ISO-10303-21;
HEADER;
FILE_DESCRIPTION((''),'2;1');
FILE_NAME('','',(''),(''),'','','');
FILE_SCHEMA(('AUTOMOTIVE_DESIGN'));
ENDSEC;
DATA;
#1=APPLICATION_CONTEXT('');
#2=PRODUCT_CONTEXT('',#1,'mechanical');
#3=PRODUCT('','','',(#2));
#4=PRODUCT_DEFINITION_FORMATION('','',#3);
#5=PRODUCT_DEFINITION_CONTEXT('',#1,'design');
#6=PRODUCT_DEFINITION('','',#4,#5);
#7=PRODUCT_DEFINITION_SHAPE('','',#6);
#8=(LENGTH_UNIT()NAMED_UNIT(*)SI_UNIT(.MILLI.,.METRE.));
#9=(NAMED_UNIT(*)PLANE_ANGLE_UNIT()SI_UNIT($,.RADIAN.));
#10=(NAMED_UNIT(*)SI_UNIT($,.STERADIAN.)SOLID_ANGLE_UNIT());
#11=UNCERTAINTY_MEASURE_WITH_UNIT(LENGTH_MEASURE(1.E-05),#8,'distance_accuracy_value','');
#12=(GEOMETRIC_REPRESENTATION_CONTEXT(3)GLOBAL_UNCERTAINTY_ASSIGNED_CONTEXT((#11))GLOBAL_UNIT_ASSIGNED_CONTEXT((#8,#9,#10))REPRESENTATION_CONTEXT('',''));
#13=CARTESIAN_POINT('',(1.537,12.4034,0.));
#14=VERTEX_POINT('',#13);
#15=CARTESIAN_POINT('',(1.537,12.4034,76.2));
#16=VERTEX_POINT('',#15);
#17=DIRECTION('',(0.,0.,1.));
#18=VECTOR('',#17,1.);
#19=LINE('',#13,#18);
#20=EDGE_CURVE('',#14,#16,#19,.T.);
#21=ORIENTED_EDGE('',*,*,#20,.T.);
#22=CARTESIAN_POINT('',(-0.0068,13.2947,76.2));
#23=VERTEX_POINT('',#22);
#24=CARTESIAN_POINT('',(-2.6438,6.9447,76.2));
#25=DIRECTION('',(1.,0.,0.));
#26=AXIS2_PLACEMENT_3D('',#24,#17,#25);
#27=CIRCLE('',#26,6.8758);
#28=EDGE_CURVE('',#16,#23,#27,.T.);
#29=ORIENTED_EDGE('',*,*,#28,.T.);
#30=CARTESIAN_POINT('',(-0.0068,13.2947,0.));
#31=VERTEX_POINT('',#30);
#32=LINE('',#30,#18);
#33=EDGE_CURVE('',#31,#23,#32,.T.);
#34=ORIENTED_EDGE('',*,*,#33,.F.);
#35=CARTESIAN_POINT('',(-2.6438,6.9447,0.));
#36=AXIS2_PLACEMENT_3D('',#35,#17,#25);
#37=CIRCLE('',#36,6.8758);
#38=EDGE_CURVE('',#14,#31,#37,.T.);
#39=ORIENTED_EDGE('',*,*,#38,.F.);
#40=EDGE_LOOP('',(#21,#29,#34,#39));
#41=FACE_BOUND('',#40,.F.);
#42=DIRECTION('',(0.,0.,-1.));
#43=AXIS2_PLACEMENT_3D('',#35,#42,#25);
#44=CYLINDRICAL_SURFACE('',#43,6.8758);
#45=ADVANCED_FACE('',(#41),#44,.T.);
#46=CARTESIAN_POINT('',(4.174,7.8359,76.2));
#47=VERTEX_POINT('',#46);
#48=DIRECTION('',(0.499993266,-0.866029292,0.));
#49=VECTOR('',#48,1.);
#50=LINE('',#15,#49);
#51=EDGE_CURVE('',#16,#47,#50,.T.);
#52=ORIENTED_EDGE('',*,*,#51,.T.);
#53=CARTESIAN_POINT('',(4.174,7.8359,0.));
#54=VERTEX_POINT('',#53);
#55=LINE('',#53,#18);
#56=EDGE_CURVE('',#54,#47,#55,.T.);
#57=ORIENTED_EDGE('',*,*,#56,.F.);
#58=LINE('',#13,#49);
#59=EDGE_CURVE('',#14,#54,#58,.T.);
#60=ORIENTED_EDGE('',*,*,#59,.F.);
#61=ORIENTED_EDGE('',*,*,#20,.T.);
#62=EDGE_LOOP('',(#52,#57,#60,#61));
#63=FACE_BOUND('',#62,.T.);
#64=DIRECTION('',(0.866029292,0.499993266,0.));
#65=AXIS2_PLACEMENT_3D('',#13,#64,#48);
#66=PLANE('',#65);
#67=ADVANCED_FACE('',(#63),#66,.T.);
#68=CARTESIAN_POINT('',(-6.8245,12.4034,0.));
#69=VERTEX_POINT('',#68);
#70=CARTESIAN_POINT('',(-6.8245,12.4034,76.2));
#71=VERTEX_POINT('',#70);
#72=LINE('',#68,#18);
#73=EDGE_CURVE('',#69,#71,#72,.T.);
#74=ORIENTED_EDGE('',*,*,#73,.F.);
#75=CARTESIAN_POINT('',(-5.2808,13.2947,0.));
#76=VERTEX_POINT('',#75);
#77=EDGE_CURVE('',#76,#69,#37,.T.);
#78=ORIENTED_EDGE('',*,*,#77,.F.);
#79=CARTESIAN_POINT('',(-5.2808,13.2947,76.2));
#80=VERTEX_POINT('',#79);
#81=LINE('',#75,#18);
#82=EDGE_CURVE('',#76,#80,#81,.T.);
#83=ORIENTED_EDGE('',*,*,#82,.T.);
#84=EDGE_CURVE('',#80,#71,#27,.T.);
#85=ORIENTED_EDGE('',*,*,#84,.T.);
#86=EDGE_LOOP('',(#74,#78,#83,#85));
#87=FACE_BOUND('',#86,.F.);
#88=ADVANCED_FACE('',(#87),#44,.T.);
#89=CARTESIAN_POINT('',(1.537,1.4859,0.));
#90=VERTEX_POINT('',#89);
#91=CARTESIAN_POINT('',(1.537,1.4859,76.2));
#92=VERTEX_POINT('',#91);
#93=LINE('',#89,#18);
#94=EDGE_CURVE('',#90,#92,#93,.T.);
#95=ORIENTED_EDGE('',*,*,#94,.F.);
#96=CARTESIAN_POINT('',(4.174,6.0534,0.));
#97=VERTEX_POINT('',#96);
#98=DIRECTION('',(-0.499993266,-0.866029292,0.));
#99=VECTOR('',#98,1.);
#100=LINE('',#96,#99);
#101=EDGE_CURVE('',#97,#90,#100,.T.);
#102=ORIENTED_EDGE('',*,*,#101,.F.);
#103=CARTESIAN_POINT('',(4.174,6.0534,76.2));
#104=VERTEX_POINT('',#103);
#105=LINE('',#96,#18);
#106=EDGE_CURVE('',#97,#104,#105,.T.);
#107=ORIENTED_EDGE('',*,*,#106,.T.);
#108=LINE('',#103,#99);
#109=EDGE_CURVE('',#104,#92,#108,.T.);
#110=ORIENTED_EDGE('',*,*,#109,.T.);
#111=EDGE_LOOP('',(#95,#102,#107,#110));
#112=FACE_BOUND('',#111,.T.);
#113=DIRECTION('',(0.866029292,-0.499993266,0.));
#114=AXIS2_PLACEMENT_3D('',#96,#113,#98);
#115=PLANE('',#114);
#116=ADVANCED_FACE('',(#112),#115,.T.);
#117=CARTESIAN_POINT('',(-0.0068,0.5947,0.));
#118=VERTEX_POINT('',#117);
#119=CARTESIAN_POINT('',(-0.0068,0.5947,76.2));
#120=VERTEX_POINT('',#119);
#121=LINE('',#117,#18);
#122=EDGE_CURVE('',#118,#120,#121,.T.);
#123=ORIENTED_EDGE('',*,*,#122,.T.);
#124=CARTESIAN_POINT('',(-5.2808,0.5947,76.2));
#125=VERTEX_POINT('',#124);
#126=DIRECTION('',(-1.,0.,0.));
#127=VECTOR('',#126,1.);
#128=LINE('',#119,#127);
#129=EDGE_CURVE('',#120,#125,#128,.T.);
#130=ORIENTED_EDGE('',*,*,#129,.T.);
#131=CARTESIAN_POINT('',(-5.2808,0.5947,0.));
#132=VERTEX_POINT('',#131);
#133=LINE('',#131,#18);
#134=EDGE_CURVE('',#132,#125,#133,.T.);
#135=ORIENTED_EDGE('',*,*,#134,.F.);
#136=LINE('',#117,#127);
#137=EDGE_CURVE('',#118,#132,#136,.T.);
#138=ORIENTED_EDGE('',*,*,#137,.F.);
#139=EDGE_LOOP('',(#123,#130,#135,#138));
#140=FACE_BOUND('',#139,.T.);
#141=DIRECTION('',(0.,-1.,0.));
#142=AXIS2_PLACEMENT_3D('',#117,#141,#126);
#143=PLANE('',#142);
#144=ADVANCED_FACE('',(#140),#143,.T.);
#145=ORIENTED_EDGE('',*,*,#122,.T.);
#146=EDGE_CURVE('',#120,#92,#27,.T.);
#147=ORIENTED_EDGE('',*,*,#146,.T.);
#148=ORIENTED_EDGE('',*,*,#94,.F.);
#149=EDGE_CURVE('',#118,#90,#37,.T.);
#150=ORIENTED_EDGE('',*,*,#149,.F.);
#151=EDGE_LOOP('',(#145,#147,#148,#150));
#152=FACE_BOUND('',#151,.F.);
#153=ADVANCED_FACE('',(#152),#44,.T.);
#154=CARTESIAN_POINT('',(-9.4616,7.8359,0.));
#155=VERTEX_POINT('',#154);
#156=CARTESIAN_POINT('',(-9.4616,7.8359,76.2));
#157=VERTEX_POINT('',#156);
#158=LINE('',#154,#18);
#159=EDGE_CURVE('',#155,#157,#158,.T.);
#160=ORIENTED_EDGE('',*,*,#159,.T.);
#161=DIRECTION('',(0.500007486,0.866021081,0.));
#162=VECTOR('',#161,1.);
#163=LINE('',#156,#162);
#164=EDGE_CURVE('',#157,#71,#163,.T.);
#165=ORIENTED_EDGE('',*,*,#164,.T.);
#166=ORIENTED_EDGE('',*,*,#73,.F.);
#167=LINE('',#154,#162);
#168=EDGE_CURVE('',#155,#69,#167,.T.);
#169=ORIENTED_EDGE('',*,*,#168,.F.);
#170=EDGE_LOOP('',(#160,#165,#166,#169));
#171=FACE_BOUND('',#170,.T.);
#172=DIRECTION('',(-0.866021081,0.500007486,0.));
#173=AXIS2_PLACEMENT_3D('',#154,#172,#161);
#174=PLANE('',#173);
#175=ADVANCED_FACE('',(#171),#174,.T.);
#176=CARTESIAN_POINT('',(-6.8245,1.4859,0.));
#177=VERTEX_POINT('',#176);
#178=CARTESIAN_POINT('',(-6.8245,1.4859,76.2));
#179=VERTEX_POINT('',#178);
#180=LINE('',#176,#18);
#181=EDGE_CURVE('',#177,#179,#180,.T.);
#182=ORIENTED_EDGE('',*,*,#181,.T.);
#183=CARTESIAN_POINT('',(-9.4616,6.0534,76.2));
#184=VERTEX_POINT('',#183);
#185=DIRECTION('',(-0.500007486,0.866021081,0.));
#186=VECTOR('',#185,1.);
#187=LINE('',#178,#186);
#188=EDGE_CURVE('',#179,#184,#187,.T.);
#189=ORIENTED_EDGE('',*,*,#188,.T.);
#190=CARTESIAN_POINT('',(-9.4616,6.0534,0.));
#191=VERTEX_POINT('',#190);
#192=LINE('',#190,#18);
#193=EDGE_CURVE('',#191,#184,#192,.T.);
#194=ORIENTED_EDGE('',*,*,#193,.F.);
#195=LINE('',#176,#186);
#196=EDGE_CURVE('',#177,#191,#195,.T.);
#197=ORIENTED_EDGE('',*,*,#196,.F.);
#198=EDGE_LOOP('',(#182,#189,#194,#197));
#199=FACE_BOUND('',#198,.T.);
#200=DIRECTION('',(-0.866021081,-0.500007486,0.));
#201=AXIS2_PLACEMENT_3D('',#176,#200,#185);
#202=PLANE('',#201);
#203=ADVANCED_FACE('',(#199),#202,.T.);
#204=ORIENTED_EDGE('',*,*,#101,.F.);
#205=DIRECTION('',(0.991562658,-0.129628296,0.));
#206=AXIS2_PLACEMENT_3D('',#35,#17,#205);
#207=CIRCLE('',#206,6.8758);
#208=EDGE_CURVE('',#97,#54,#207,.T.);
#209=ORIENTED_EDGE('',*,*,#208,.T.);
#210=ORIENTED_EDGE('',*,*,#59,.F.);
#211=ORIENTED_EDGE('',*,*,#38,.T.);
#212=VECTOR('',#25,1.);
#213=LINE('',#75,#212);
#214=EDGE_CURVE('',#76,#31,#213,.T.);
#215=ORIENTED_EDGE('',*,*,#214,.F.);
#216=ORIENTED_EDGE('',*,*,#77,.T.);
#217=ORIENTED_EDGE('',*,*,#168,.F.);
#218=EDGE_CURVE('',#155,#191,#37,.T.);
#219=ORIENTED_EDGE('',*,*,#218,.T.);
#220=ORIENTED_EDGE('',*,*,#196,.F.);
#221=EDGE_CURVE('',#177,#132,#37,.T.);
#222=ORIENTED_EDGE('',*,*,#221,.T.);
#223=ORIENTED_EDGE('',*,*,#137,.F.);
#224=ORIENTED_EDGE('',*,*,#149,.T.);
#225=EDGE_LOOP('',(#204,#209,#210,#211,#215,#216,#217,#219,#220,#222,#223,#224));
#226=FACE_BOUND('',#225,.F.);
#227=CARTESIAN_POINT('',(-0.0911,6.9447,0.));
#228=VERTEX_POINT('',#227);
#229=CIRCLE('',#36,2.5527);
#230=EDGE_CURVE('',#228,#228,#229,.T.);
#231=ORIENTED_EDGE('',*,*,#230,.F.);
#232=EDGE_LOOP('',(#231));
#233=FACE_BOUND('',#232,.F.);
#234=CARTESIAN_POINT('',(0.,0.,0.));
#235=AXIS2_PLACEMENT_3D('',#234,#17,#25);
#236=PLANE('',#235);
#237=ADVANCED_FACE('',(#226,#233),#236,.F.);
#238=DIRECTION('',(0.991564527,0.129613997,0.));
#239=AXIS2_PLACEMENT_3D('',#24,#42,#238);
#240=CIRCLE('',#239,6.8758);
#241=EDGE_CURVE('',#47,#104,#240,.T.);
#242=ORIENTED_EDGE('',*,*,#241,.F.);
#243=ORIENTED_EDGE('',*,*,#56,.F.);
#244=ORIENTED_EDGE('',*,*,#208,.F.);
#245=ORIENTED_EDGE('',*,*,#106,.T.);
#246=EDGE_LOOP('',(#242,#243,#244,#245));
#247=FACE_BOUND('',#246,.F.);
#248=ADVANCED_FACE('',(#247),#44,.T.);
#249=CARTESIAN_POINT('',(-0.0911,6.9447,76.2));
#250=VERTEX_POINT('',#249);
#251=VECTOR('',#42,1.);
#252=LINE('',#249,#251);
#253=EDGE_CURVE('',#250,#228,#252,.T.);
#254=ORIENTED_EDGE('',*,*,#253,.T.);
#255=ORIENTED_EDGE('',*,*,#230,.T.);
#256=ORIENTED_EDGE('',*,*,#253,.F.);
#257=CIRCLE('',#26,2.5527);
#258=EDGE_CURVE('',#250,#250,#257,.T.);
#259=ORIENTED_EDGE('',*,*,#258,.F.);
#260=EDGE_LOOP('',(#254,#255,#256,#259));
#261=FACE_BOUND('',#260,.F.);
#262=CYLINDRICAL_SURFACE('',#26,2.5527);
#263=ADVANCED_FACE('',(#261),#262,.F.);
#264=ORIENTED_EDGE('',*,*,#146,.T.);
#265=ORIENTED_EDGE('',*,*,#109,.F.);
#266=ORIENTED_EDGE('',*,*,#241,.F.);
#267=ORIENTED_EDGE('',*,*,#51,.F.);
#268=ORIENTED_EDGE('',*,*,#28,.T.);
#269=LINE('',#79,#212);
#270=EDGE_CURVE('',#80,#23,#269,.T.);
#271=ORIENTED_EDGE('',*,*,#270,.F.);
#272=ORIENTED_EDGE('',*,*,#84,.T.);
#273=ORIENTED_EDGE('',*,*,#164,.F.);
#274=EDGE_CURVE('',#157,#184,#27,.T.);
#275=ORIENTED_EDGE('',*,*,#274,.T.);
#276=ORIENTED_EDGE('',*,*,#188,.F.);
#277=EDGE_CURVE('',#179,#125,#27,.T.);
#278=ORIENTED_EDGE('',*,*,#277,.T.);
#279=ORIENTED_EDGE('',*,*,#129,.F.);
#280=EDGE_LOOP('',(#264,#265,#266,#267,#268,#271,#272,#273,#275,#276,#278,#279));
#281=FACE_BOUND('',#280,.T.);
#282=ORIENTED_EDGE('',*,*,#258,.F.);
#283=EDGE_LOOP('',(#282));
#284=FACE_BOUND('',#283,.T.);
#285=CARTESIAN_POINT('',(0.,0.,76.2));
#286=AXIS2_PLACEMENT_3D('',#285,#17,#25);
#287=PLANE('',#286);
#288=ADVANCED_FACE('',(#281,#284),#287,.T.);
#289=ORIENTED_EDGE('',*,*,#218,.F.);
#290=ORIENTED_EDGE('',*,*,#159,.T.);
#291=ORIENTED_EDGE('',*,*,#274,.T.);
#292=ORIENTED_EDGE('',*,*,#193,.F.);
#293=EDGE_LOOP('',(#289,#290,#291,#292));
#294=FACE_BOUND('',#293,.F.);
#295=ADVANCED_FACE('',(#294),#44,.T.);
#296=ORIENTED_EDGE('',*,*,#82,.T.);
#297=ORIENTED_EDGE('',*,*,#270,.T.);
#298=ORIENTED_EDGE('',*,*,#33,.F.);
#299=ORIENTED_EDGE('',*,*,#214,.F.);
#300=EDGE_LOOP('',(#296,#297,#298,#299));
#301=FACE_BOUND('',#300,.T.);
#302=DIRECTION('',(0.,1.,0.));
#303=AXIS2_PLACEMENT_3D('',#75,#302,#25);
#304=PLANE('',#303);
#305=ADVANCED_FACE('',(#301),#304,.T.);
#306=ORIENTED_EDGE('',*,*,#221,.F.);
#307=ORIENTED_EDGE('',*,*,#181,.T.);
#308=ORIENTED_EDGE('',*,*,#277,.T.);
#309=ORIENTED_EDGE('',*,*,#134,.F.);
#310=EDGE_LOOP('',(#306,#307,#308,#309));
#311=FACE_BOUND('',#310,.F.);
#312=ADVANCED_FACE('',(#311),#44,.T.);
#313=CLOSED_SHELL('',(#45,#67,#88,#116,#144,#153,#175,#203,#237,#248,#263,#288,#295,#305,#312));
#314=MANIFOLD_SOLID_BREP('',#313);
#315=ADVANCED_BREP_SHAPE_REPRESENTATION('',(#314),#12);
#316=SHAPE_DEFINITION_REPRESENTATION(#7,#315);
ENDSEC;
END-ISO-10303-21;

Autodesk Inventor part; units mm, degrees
ref_plane "YZ Plane" through (0, 0, 0) normal (1, 0, 0) x (0, 1, 0)
ref_plane "XZ Plane" through (0, 0, 0) normal (0, 1, 0) x (-1, 0, 0)
ref_plane "XY Plane" through (0, 0, 0) normal (0, 0, 1) x (1, 0, 0)
sketch "Sketch1" plane through (0, 0, 0) normal (0, 0, 1) x (1, 0, 0)
  circle A0 centre (-2.6438, 6.9447) radius 6.8758
  line L0 (-9.4616, 7.8359) -> (-6.8245, 12.4034)
  line L1 (-6.8245, 1.4859) -> (-9.4616, 6.0534)
  line L2 (-0.0068, 0.5947) -> (-5.2808, 0.5947)
  line L3 (4.174, 6.0534) -> (1.537, 1.4859)
  line L4 (1.537, 12.4034) -> (4.174, 7.8359)
  line L5 (-5.2808, 13.2947) -> (-0.0068, 13.2947)
  point P0 (0, 0)
  point P1 (1.537, 1.4859)
  dimension "d0" = 13.7516
  dimension "d4" = 360
extrude "Extrusion1" add sketch "Sketch1" along normal blind 76.2 contours A0 L3 L2 L1 L0 L5 L4
sketch "Sketch2" plane through (0, 0, 76.2) normal (0, 0, 1) x (1, 0, 0)
  circle A0 centre (-2.6438, 6.9447) radius 2.5527
  line L0 (-5.2808, 0.5947) -> (-0.0068, 0.5947) projected
  line L1 (-2.6438, 6.9447) -> (-5.2808, 0.5947) construction
  line L2 (-2.6438, 6.9447) -> (-0.0068, 0.5947) construction
  point P0 (0, 0)
  dimension "d8" = 5.1054
  dimension "d9" = 6.35
extrude "Extrusion2" cut sketch "Sketch2" against normal blind 76.2
equation "\"d6\" = d5"
equation "\"d10\" = d5"
equation "\"d5\" = 76.2"
properties part number "Winch shaft (Thunderhex)"
